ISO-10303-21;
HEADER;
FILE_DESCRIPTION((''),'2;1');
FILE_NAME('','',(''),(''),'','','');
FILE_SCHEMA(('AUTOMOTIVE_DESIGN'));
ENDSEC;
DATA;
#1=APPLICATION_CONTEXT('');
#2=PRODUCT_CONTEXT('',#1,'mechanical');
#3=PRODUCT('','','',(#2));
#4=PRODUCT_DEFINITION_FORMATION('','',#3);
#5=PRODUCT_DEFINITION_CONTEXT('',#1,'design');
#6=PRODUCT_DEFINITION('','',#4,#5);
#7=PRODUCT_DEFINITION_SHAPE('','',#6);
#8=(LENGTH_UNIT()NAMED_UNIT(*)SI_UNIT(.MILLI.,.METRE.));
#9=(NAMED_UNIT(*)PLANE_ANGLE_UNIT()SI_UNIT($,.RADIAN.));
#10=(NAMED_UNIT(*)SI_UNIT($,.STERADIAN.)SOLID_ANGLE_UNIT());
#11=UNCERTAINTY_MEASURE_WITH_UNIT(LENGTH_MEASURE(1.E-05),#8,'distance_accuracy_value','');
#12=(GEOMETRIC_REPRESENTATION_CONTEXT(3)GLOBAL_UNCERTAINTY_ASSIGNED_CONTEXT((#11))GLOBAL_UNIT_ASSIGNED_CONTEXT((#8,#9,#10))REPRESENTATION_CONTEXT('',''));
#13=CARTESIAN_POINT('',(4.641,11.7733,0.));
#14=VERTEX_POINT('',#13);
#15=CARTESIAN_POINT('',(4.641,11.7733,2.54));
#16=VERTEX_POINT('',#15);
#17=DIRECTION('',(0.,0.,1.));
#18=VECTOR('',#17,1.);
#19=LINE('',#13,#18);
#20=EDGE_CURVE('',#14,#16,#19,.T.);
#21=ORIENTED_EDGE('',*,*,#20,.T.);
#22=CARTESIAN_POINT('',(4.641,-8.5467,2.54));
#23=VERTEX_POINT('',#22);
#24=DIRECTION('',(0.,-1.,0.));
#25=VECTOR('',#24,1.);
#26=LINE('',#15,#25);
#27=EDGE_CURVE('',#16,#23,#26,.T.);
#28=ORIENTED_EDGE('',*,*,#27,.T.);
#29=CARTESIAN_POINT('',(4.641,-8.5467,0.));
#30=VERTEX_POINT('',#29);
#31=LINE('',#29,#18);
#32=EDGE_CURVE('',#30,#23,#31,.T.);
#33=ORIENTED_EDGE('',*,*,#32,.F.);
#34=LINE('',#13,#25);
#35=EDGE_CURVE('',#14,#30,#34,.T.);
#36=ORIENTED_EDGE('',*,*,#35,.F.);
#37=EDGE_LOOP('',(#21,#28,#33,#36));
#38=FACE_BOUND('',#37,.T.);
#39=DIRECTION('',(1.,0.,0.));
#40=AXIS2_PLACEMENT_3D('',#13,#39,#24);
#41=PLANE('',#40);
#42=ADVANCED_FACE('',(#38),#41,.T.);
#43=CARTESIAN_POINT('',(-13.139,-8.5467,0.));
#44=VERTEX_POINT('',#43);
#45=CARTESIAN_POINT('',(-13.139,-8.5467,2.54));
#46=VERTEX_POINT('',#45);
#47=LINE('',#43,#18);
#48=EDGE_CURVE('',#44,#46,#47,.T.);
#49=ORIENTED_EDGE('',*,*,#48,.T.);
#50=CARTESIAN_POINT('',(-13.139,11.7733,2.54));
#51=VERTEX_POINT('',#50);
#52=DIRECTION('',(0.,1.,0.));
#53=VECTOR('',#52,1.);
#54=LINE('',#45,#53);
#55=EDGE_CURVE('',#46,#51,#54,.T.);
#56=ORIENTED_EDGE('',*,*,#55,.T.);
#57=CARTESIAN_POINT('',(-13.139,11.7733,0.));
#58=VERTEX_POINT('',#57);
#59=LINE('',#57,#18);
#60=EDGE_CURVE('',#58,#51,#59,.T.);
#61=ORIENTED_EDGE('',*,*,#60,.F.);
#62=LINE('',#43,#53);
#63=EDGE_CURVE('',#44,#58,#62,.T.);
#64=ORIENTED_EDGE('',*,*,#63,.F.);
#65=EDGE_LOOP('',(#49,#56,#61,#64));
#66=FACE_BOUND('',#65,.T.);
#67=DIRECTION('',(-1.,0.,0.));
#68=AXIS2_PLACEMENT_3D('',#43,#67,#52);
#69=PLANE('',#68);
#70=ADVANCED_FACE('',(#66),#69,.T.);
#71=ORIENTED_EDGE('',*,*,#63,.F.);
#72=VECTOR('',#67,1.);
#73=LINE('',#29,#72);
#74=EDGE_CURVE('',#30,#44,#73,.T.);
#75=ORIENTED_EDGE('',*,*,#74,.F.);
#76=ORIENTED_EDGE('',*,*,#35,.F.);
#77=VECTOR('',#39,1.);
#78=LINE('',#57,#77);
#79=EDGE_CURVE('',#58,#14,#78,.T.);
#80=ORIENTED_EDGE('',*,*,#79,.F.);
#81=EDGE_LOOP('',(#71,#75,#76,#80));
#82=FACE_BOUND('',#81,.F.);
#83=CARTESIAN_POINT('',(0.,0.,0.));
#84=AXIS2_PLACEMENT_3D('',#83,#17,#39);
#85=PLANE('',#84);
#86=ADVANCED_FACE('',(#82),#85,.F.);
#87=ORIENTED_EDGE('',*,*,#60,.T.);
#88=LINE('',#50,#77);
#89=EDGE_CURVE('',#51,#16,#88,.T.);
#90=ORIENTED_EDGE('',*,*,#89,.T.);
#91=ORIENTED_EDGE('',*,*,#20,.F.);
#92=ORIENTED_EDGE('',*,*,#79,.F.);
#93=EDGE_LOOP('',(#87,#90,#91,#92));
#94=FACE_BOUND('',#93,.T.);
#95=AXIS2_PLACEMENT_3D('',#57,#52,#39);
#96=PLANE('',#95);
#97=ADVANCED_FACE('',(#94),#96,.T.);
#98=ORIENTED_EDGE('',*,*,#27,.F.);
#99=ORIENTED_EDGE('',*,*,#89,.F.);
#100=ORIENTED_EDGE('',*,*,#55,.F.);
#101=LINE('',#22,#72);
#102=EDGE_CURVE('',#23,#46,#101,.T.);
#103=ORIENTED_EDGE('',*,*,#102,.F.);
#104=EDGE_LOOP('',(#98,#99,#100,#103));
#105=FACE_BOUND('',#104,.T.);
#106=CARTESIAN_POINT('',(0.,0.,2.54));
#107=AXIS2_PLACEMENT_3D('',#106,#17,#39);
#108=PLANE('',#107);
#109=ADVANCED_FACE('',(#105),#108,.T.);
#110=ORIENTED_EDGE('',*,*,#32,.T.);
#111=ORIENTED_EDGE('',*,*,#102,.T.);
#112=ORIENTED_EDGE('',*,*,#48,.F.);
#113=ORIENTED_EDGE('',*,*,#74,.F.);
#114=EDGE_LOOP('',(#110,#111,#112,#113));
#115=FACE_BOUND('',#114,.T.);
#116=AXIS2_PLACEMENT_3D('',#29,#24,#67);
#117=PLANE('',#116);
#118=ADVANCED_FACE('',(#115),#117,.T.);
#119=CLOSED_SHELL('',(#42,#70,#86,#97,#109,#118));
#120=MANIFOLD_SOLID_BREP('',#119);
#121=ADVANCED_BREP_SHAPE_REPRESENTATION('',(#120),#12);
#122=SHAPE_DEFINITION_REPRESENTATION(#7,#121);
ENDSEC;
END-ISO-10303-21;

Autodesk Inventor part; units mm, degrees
ref_plane "YZ Plane" through (0, 0, 0) normal (1, 0, 0) x (0, 1, 0)
ref_plane "XZ Plane" through (0, 0, 0) normal (0, 1, 0) x (-1, 0, 0)
ref_plane "XY Plane" through (0, 0, 0) normal (0, 0, 1) x (1, 0, 0)
sketch "Sketch1" plane through (0, 0, 0) normal (0, 0, 1) x (1, 0, 0)
  line L0 (-13.139, 11.7733) -> (4.641, 11.7733)
  line L1 (4.641, 11.7733) -> (4.641, -8.5467)
  line L2 (4.641, -8.5467) -> (-13.139, -8.5467)
  line L3 (-13.139, -8.5467) -> (-13.139, 11.7733)
  point P0 (0, 0)
  dimension "d0" = 17.78
  dimension "d1" = 20.32
extrude "Extrusion1" add sketch "Sketch1" along normal blind 2.54
properties part number "ToF Sensor5"
